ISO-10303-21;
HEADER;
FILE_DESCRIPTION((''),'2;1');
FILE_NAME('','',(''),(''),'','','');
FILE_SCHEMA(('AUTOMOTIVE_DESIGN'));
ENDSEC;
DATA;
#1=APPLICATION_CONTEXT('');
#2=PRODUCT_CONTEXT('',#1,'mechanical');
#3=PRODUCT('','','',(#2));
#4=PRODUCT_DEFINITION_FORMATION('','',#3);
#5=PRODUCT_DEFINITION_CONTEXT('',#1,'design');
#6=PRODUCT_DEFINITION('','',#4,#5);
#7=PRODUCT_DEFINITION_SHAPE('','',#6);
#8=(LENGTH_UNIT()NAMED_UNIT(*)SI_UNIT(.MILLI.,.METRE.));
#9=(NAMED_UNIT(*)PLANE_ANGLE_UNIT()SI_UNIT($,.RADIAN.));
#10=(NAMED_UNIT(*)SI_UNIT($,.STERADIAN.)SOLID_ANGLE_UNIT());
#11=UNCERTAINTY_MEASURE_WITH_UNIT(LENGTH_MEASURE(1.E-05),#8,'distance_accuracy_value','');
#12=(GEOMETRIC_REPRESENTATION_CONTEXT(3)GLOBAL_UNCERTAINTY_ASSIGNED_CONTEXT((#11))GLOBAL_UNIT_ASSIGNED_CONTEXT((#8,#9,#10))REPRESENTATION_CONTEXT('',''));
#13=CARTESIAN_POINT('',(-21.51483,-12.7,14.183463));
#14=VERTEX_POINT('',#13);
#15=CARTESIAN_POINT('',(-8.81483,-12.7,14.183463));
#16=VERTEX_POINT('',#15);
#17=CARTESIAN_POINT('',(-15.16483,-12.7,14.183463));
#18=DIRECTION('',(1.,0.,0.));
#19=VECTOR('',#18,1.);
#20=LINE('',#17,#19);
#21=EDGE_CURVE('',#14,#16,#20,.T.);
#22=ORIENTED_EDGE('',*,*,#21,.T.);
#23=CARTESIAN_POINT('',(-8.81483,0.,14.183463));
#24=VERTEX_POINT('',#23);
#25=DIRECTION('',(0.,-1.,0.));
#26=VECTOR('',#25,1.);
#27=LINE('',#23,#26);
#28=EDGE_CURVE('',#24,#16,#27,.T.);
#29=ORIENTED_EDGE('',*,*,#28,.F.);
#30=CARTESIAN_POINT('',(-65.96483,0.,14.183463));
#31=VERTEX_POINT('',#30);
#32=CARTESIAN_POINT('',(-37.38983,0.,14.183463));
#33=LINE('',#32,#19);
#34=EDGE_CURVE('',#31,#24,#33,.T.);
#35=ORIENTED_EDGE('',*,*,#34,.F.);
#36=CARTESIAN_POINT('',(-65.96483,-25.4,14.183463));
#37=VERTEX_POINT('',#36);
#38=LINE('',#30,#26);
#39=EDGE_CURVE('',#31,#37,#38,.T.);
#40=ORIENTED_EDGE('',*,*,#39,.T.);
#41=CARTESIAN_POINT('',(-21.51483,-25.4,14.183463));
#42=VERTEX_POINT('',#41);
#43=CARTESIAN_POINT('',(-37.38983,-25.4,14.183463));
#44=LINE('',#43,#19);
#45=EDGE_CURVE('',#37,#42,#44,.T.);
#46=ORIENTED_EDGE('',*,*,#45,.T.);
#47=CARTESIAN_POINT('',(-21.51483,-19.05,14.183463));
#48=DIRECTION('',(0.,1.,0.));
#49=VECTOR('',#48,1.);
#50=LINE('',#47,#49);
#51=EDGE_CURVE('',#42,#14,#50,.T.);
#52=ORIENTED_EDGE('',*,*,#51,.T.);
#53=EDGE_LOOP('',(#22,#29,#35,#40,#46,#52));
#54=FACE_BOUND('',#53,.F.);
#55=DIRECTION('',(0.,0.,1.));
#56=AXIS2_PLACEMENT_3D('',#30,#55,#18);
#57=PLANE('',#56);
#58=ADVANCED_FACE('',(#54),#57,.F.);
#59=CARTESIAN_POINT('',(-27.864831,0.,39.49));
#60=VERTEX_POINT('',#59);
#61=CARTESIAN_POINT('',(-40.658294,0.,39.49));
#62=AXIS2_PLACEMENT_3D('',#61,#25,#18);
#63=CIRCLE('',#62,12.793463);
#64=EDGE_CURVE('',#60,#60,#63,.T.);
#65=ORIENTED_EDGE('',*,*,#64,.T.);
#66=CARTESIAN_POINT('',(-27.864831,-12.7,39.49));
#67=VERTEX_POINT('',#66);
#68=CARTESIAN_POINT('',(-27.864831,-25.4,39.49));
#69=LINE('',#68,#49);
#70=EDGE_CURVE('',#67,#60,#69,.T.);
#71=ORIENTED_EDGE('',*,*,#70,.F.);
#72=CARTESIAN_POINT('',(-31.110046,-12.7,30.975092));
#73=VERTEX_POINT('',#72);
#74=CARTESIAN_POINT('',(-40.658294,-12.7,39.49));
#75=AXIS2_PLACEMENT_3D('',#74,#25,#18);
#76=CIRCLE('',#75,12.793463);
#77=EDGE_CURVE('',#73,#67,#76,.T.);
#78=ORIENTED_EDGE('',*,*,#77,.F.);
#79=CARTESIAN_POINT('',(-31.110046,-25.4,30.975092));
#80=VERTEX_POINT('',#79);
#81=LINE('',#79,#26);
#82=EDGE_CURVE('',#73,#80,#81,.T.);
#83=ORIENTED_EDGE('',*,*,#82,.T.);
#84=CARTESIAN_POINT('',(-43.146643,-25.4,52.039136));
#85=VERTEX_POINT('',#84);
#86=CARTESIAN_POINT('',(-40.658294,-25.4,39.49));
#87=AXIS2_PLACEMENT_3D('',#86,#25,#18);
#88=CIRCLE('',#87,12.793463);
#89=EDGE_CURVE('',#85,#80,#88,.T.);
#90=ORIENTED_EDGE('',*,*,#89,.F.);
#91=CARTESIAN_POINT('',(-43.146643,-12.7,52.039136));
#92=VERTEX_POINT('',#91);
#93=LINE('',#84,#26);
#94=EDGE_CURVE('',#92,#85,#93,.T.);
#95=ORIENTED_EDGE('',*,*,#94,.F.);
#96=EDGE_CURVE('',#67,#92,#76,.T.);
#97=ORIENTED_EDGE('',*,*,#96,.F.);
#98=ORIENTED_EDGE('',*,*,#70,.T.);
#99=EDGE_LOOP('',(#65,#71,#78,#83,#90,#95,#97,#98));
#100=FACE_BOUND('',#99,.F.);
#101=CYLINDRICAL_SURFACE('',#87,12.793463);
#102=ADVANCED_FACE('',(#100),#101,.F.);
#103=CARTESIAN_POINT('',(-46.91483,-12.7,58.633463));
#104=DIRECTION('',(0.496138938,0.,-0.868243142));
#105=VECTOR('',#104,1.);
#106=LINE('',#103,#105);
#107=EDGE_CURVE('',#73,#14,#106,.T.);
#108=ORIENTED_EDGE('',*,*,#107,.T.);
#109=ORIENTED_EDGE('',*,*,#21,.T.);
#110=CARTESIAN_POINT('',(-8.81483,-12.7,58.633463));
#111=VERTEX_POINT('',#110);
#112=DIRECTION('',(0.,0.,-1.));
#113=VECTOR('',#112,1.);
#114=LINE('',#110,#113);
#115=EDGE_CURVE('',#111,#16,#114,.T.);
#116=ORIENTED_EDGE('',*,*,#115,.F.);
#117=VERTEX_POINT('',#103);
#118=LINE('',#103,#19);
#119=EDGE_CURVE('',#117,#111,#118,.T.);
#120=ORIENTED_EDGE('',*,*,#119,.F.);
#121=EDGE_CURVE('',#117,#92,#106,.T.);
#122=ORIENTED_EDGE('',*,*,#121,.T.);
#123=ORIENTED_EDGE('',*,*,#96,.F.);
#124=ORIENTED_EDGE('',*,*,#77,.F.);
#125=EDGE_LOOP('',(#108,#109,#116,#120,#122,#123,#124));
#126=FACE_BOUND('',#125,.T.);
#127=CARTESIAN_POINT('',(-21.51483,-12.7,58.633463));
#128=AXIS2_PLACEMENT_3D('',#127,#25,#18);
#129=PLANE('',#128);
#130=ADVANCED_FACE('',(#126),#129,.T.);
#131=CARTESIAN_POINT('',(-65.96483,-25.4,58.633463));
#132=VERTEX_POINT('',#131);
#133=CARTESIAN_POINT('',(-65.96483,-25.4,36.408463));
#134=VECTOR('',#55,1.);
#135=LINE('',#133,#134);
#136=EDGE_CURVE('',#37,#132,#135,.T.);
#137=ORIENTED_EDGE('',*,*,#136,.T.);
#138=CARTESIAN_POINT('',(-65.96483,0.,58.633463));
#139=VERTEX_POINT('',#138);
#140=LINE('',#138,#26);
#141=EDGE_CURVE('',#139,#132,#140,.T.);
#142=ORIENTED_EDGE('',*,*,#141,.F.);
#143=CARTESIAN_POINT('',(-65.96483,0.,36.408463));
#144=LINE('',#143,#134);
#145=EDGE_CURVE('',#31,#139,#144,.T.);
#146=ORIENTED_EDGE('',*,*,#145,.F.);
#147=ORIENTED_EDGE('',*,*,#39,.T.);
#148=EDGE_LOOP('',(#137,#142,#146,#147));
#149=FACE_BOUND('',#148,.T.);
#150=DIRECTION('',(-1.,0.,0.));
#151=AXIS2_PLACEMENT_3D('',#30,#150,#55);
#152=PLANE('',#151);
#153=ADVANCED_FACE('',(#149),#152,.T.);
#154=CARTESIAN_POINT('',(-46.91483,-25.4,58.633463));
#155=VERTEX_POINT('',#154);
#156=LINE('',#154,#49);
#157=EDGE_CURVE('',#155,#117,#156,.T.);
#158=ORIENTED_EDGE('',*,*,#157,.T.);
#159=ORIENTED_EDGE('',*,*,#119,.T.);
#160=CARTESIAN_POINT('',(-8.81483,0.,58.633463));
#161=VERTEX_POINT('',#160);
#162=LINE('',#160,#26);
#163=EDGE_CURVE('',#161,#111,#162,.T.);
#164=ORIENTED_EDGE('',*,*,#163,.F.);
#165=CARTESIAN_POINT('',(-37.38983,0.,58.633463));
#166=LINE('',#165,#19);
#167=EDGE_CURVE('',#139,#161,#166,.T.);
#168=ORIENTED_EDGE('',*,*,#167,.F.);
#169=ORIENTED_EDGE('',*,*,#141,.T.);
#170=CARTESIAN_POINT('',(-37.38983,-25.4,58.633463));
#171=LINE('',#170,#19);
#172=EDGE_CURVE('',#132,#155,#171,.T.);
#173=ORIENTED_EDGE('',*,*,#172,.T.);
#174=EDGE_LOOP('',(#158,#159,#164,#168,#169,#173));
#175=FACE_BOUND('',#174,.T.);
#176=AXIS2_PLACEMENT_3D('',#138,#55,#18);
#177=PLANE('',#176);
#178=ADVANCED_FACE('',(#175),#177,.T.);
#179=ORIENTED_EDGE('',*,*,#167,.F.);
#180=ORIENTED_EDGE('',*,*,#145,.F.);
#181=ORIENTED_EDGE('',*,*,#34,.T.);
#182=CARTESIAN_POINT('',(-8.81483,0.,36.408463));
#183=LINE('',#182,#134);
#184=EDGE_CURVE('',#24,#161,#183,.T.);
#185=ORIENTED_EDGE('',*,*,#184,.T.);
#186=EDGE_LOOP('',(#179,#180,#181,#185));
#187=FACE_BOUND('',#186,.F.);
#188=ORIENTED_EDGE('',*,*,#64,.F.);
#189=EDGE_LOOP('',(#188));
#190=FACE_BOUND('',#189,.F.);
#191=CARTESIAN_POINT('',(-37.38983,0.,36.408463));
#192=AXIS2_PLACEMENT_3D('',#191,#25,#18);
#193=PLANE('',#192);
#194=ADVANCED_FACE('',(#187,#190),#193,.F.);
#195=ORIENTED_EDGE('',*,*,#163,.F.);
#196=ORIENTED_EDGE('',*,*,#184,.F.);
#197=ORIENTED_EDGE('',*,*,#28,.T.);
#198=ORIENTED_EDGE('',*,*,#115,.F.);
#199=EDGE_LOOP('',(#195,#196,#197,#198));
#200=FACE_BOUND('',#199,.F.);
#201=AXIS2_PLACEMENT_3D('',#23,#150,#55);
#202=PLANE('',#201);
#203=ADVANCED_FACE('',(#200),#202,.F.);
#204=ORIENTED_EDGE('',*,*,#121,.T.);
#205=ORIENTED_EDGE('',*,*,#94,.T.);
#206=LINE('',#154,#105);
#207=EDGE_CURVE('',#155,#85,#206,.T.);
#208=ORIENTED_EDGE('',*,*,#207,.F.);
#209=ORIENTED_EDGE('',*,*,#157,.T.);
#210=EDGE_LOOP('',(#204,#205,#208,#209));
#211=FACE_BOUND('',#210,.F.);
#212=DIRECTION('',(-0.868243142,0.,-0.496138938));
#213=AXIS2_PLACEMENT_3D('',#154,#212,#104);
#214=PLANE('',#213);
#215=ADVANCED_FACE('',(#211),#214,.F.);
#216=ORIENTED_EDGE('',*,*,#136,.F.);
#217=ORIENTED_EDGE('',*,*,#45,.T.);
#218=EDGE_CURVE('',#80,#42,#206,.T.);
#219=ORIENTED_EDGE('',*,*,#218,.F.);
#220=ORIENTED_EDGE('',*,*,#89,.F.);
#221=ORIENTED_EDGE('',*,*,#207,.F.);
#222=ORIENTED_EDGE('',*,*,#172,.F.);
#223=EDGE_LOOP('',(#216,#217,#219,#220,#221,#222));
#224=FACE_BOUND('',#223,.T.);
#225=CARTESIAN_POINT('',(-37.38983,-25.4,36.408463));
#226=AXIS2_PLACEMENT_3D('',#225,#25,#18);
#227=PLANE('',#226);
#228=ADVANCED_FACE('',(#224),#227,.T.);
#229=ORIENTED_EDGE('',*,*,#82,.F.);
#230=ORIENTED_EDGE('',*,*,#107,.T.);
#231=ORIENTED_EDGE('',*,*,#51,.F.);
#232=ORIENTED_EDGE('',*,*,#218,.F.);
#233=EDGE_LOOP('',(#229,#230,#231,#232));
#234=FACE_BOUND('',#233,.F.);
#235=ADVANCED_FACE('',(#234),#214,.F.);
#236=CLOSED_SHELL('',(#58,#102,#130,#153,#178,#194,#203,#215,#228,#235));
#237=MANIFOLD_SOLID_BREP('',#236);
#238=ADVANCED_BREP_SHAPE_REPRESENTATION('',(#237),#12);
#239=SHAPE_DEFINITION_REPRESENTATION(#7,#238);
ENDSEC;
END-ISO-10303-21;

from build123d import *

# Parameters (mm, degrees)
F0_W     = 57.15
F0_H     = 44.45
F1_DEPTH = 25.4
F2_R     = 12.793463
F3_DEPTH = 25.4
F4_W     = 12.7
F4_H     = 12.7
F5_DEPTH = 44.45
F7_DEPTH = 12.7


with BuildPart() as f1:
    # F0 (on Front) → F1 (new body)
    with BuildSketch(Plane.XZ):
        with Locations((-37.38983, 36.408463)):
            Rectangle(F0_W, F0_H)
    extrude(amount=F1_DEPTH)

    # F2 (on face) → F3 (cut)
    with BuildSketch(Plane.XZ.offset(25.4)):
        with Locations((-40.658294, 39.49)):
            Circle(F2_R)
    extrude(amount=-F3_DEPTH, mode=Mode.SUBTRACT)

    # F4 (on face) → F5 (cut)
    with BuildSketch(Plane.XY.offset(58.633463)):
        with Locations((-15.16483, -19.05)):
            Rectangle(F4_W, F4_H)
    extrude(amount=-F5_DEPTH, mode=Mode.SUBTRACT)

    # F6 (on face) → F7 (cut)
    with BuildSketch(Plane.XZ.offset(25.4)):
        Polygon((-21.51483, 58.633463), (-46.91483, 58.633463), (-21.51483, 14.183463), align=None)
    extrude(amount=-F7_DEPTH, mode=Mode.SUBTRACT)


solid = f1.part
